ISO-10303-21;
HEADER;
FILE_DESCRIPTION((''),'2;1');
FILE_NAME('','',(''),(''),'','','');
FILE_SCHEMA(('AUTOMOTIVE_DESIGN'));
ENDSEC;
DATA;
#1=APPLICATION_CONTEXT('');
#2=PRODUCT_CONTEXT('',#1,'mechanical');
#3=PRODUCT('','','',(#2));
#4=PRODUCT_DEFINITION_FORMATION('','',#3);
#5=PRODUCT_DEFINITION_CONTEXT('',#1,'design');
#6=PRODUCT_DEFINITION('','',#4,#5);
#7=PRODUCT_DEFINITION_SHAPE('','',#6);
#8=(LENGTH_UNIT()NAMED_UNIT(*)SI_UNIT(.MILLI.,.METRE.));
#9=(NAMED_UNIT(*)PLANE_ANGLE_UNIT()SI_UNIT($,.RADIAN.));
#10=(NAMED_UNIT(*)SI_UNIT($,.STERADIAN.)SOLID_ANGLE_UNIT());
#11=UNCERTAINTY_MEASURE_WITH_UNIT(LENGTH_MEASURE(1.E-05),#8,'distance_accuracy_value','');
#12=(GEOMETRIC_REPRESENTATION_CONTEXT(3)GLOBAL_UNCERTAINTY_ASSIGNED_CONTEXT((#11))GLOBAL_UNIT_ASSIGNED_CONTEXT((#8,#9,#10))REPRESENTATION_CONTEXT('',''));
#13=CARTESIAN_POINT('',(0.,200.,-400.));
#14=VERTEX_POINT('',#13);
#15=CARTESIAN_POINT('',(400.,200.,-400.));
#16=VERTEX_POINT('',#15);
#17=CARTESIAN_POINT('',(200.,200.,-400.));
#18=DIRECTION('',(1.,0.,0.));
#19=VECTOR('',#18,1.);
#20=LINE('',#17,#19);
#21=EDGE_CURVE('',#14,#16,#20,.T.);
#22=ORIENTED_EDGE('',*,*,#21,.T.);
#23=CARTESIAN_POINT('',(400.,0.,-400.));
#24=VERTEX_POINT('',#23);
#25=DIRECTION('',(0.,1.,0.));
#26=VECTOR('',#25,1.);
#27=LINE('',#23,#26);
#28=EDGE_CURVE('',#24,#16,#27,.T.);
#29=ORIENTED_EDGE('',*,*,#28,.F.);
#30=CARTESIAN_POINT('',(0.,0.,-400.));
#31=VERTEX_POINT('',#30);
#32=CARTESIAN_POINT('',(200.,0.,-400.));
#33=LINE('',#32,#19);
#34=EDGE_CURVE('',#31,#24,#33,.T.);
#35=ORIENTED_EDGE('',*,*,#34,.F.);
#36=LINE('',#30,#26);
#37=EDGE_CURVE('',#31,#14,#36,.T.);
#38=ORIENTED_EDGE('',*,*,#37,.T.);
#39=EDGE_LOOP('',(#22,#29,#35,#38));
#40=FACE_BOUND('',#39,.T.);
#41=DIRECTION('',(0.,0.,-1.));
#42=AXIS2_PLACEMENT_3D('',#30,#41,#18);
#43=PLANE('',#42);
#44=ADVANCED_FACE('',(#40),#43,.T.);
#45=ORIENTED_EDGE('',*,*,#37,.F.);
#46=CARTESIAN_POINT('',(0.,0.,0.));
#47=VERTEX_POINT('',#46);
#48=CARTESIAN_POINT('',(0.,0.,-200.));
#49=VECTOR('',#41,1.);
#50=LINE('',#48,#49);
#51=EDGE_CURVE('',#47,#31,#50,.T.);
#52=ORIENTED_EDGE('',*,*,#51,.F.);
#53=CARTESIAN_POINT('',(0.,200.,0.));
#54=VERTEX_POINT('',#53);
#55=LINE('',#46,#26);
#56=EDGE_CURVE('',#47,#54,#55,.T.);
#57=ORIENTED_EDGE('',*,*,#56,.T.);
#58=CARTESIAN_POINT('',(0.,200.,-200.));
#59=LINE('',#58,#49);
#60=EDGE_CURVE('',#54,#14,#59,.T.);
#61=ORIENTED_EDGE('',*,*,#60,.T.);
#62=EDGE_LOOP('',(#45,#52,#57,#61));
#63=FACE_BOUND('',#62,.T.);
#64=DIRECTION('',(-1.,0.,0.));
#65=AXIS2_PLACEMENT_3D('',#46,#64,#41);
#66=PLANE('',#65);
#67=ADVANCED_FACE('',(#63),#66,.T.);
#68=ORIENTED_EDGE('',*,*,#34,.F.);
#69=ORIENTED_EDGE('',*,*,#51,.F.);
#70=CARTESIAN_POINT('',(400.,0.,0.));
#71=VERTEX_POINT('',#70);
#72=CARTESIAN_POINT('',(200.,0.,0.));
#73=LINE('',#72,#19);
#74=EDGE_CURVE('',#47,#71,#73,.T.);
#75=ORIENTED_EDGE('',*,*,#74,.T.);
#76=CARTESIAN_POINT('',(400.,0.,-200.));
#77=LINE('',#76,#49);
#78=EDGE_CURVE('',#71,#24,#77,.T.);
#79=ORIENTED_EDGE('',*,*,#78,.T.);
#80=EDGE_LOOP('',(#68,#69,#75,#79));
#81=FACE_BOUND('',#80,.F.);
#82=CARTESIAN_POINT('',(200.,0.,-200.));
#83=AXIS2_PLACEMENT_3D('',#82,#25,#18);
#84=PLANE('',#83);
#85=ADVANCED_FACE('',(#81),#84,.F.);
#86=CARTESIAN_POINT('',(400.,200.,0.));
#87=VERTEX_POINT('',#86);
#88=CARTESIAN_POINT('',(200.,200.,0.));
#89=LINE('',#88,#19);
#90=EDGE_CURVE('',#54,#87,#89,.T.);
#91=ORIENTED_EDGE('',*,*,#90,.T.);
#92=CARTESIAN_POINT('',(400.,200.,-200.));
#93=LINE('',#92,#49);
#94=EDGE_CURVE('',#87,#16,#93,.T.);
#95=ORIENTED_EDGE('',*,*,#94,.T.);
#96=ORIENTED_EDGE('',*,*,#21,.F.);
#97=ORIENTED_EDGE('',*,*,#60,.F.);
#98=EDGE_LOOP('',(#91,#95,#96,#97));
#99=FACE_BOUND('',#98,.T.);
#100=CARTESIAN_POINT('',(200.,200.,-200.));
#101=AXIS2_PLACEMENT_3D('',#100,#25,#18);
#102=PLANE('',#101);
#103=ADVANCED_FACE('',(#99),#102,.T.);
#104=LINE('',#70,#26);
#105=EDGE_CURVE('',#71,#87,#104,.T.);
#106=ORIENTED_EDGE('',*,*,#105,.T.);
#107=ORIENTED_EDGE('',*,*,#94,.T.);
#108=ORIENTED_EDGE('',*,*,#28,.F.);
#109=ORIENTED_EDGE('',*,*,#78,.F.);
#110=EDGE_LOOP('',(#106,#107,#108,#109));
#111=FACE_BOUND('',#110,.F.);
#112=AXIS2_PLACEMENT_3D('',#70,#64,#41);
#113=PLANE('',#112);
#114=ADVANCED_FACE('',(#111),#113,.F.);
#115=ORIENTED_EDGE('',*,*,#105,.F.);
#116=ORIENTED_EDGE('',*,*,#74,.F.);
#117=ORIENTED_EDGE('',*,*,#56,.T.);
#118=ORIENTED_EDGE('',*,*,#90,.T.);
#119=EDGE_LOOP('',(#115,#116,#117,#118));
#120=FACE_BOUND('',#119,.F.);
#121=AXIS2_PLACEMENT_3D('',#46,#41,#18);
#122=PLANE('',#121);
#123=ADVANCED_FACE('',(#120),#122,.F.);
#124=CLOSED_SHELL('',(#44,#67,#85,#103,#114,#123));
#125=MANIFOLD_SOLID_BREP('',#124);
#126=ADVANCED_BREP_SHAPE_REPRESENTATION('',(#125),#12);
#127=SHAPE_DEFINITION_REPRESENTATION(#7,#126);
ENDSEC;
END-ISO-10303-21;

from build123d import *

# Parameters (mm, degrees)
CROQUIS1_W              = 400
CROQUIS1_H              = 400
SALIENTE_EXTRUIR1_DEPTH = 200


with BuildPart() as part:
    # Croquis1 → Saliente-Extruir1 (new body)
    with BuildSketch(Plane(origin=(0, 0, 0), x_dir=(1, 0, 0), z_dir=(0, 1, 0))):
        with Locations((200, 200)):
            Rectangle(CROQUIS1_W, CROQUIS1_H)
    extrude(amount=SALIENTE_EXTRUIR1_DEPTH)


solid = part.part
